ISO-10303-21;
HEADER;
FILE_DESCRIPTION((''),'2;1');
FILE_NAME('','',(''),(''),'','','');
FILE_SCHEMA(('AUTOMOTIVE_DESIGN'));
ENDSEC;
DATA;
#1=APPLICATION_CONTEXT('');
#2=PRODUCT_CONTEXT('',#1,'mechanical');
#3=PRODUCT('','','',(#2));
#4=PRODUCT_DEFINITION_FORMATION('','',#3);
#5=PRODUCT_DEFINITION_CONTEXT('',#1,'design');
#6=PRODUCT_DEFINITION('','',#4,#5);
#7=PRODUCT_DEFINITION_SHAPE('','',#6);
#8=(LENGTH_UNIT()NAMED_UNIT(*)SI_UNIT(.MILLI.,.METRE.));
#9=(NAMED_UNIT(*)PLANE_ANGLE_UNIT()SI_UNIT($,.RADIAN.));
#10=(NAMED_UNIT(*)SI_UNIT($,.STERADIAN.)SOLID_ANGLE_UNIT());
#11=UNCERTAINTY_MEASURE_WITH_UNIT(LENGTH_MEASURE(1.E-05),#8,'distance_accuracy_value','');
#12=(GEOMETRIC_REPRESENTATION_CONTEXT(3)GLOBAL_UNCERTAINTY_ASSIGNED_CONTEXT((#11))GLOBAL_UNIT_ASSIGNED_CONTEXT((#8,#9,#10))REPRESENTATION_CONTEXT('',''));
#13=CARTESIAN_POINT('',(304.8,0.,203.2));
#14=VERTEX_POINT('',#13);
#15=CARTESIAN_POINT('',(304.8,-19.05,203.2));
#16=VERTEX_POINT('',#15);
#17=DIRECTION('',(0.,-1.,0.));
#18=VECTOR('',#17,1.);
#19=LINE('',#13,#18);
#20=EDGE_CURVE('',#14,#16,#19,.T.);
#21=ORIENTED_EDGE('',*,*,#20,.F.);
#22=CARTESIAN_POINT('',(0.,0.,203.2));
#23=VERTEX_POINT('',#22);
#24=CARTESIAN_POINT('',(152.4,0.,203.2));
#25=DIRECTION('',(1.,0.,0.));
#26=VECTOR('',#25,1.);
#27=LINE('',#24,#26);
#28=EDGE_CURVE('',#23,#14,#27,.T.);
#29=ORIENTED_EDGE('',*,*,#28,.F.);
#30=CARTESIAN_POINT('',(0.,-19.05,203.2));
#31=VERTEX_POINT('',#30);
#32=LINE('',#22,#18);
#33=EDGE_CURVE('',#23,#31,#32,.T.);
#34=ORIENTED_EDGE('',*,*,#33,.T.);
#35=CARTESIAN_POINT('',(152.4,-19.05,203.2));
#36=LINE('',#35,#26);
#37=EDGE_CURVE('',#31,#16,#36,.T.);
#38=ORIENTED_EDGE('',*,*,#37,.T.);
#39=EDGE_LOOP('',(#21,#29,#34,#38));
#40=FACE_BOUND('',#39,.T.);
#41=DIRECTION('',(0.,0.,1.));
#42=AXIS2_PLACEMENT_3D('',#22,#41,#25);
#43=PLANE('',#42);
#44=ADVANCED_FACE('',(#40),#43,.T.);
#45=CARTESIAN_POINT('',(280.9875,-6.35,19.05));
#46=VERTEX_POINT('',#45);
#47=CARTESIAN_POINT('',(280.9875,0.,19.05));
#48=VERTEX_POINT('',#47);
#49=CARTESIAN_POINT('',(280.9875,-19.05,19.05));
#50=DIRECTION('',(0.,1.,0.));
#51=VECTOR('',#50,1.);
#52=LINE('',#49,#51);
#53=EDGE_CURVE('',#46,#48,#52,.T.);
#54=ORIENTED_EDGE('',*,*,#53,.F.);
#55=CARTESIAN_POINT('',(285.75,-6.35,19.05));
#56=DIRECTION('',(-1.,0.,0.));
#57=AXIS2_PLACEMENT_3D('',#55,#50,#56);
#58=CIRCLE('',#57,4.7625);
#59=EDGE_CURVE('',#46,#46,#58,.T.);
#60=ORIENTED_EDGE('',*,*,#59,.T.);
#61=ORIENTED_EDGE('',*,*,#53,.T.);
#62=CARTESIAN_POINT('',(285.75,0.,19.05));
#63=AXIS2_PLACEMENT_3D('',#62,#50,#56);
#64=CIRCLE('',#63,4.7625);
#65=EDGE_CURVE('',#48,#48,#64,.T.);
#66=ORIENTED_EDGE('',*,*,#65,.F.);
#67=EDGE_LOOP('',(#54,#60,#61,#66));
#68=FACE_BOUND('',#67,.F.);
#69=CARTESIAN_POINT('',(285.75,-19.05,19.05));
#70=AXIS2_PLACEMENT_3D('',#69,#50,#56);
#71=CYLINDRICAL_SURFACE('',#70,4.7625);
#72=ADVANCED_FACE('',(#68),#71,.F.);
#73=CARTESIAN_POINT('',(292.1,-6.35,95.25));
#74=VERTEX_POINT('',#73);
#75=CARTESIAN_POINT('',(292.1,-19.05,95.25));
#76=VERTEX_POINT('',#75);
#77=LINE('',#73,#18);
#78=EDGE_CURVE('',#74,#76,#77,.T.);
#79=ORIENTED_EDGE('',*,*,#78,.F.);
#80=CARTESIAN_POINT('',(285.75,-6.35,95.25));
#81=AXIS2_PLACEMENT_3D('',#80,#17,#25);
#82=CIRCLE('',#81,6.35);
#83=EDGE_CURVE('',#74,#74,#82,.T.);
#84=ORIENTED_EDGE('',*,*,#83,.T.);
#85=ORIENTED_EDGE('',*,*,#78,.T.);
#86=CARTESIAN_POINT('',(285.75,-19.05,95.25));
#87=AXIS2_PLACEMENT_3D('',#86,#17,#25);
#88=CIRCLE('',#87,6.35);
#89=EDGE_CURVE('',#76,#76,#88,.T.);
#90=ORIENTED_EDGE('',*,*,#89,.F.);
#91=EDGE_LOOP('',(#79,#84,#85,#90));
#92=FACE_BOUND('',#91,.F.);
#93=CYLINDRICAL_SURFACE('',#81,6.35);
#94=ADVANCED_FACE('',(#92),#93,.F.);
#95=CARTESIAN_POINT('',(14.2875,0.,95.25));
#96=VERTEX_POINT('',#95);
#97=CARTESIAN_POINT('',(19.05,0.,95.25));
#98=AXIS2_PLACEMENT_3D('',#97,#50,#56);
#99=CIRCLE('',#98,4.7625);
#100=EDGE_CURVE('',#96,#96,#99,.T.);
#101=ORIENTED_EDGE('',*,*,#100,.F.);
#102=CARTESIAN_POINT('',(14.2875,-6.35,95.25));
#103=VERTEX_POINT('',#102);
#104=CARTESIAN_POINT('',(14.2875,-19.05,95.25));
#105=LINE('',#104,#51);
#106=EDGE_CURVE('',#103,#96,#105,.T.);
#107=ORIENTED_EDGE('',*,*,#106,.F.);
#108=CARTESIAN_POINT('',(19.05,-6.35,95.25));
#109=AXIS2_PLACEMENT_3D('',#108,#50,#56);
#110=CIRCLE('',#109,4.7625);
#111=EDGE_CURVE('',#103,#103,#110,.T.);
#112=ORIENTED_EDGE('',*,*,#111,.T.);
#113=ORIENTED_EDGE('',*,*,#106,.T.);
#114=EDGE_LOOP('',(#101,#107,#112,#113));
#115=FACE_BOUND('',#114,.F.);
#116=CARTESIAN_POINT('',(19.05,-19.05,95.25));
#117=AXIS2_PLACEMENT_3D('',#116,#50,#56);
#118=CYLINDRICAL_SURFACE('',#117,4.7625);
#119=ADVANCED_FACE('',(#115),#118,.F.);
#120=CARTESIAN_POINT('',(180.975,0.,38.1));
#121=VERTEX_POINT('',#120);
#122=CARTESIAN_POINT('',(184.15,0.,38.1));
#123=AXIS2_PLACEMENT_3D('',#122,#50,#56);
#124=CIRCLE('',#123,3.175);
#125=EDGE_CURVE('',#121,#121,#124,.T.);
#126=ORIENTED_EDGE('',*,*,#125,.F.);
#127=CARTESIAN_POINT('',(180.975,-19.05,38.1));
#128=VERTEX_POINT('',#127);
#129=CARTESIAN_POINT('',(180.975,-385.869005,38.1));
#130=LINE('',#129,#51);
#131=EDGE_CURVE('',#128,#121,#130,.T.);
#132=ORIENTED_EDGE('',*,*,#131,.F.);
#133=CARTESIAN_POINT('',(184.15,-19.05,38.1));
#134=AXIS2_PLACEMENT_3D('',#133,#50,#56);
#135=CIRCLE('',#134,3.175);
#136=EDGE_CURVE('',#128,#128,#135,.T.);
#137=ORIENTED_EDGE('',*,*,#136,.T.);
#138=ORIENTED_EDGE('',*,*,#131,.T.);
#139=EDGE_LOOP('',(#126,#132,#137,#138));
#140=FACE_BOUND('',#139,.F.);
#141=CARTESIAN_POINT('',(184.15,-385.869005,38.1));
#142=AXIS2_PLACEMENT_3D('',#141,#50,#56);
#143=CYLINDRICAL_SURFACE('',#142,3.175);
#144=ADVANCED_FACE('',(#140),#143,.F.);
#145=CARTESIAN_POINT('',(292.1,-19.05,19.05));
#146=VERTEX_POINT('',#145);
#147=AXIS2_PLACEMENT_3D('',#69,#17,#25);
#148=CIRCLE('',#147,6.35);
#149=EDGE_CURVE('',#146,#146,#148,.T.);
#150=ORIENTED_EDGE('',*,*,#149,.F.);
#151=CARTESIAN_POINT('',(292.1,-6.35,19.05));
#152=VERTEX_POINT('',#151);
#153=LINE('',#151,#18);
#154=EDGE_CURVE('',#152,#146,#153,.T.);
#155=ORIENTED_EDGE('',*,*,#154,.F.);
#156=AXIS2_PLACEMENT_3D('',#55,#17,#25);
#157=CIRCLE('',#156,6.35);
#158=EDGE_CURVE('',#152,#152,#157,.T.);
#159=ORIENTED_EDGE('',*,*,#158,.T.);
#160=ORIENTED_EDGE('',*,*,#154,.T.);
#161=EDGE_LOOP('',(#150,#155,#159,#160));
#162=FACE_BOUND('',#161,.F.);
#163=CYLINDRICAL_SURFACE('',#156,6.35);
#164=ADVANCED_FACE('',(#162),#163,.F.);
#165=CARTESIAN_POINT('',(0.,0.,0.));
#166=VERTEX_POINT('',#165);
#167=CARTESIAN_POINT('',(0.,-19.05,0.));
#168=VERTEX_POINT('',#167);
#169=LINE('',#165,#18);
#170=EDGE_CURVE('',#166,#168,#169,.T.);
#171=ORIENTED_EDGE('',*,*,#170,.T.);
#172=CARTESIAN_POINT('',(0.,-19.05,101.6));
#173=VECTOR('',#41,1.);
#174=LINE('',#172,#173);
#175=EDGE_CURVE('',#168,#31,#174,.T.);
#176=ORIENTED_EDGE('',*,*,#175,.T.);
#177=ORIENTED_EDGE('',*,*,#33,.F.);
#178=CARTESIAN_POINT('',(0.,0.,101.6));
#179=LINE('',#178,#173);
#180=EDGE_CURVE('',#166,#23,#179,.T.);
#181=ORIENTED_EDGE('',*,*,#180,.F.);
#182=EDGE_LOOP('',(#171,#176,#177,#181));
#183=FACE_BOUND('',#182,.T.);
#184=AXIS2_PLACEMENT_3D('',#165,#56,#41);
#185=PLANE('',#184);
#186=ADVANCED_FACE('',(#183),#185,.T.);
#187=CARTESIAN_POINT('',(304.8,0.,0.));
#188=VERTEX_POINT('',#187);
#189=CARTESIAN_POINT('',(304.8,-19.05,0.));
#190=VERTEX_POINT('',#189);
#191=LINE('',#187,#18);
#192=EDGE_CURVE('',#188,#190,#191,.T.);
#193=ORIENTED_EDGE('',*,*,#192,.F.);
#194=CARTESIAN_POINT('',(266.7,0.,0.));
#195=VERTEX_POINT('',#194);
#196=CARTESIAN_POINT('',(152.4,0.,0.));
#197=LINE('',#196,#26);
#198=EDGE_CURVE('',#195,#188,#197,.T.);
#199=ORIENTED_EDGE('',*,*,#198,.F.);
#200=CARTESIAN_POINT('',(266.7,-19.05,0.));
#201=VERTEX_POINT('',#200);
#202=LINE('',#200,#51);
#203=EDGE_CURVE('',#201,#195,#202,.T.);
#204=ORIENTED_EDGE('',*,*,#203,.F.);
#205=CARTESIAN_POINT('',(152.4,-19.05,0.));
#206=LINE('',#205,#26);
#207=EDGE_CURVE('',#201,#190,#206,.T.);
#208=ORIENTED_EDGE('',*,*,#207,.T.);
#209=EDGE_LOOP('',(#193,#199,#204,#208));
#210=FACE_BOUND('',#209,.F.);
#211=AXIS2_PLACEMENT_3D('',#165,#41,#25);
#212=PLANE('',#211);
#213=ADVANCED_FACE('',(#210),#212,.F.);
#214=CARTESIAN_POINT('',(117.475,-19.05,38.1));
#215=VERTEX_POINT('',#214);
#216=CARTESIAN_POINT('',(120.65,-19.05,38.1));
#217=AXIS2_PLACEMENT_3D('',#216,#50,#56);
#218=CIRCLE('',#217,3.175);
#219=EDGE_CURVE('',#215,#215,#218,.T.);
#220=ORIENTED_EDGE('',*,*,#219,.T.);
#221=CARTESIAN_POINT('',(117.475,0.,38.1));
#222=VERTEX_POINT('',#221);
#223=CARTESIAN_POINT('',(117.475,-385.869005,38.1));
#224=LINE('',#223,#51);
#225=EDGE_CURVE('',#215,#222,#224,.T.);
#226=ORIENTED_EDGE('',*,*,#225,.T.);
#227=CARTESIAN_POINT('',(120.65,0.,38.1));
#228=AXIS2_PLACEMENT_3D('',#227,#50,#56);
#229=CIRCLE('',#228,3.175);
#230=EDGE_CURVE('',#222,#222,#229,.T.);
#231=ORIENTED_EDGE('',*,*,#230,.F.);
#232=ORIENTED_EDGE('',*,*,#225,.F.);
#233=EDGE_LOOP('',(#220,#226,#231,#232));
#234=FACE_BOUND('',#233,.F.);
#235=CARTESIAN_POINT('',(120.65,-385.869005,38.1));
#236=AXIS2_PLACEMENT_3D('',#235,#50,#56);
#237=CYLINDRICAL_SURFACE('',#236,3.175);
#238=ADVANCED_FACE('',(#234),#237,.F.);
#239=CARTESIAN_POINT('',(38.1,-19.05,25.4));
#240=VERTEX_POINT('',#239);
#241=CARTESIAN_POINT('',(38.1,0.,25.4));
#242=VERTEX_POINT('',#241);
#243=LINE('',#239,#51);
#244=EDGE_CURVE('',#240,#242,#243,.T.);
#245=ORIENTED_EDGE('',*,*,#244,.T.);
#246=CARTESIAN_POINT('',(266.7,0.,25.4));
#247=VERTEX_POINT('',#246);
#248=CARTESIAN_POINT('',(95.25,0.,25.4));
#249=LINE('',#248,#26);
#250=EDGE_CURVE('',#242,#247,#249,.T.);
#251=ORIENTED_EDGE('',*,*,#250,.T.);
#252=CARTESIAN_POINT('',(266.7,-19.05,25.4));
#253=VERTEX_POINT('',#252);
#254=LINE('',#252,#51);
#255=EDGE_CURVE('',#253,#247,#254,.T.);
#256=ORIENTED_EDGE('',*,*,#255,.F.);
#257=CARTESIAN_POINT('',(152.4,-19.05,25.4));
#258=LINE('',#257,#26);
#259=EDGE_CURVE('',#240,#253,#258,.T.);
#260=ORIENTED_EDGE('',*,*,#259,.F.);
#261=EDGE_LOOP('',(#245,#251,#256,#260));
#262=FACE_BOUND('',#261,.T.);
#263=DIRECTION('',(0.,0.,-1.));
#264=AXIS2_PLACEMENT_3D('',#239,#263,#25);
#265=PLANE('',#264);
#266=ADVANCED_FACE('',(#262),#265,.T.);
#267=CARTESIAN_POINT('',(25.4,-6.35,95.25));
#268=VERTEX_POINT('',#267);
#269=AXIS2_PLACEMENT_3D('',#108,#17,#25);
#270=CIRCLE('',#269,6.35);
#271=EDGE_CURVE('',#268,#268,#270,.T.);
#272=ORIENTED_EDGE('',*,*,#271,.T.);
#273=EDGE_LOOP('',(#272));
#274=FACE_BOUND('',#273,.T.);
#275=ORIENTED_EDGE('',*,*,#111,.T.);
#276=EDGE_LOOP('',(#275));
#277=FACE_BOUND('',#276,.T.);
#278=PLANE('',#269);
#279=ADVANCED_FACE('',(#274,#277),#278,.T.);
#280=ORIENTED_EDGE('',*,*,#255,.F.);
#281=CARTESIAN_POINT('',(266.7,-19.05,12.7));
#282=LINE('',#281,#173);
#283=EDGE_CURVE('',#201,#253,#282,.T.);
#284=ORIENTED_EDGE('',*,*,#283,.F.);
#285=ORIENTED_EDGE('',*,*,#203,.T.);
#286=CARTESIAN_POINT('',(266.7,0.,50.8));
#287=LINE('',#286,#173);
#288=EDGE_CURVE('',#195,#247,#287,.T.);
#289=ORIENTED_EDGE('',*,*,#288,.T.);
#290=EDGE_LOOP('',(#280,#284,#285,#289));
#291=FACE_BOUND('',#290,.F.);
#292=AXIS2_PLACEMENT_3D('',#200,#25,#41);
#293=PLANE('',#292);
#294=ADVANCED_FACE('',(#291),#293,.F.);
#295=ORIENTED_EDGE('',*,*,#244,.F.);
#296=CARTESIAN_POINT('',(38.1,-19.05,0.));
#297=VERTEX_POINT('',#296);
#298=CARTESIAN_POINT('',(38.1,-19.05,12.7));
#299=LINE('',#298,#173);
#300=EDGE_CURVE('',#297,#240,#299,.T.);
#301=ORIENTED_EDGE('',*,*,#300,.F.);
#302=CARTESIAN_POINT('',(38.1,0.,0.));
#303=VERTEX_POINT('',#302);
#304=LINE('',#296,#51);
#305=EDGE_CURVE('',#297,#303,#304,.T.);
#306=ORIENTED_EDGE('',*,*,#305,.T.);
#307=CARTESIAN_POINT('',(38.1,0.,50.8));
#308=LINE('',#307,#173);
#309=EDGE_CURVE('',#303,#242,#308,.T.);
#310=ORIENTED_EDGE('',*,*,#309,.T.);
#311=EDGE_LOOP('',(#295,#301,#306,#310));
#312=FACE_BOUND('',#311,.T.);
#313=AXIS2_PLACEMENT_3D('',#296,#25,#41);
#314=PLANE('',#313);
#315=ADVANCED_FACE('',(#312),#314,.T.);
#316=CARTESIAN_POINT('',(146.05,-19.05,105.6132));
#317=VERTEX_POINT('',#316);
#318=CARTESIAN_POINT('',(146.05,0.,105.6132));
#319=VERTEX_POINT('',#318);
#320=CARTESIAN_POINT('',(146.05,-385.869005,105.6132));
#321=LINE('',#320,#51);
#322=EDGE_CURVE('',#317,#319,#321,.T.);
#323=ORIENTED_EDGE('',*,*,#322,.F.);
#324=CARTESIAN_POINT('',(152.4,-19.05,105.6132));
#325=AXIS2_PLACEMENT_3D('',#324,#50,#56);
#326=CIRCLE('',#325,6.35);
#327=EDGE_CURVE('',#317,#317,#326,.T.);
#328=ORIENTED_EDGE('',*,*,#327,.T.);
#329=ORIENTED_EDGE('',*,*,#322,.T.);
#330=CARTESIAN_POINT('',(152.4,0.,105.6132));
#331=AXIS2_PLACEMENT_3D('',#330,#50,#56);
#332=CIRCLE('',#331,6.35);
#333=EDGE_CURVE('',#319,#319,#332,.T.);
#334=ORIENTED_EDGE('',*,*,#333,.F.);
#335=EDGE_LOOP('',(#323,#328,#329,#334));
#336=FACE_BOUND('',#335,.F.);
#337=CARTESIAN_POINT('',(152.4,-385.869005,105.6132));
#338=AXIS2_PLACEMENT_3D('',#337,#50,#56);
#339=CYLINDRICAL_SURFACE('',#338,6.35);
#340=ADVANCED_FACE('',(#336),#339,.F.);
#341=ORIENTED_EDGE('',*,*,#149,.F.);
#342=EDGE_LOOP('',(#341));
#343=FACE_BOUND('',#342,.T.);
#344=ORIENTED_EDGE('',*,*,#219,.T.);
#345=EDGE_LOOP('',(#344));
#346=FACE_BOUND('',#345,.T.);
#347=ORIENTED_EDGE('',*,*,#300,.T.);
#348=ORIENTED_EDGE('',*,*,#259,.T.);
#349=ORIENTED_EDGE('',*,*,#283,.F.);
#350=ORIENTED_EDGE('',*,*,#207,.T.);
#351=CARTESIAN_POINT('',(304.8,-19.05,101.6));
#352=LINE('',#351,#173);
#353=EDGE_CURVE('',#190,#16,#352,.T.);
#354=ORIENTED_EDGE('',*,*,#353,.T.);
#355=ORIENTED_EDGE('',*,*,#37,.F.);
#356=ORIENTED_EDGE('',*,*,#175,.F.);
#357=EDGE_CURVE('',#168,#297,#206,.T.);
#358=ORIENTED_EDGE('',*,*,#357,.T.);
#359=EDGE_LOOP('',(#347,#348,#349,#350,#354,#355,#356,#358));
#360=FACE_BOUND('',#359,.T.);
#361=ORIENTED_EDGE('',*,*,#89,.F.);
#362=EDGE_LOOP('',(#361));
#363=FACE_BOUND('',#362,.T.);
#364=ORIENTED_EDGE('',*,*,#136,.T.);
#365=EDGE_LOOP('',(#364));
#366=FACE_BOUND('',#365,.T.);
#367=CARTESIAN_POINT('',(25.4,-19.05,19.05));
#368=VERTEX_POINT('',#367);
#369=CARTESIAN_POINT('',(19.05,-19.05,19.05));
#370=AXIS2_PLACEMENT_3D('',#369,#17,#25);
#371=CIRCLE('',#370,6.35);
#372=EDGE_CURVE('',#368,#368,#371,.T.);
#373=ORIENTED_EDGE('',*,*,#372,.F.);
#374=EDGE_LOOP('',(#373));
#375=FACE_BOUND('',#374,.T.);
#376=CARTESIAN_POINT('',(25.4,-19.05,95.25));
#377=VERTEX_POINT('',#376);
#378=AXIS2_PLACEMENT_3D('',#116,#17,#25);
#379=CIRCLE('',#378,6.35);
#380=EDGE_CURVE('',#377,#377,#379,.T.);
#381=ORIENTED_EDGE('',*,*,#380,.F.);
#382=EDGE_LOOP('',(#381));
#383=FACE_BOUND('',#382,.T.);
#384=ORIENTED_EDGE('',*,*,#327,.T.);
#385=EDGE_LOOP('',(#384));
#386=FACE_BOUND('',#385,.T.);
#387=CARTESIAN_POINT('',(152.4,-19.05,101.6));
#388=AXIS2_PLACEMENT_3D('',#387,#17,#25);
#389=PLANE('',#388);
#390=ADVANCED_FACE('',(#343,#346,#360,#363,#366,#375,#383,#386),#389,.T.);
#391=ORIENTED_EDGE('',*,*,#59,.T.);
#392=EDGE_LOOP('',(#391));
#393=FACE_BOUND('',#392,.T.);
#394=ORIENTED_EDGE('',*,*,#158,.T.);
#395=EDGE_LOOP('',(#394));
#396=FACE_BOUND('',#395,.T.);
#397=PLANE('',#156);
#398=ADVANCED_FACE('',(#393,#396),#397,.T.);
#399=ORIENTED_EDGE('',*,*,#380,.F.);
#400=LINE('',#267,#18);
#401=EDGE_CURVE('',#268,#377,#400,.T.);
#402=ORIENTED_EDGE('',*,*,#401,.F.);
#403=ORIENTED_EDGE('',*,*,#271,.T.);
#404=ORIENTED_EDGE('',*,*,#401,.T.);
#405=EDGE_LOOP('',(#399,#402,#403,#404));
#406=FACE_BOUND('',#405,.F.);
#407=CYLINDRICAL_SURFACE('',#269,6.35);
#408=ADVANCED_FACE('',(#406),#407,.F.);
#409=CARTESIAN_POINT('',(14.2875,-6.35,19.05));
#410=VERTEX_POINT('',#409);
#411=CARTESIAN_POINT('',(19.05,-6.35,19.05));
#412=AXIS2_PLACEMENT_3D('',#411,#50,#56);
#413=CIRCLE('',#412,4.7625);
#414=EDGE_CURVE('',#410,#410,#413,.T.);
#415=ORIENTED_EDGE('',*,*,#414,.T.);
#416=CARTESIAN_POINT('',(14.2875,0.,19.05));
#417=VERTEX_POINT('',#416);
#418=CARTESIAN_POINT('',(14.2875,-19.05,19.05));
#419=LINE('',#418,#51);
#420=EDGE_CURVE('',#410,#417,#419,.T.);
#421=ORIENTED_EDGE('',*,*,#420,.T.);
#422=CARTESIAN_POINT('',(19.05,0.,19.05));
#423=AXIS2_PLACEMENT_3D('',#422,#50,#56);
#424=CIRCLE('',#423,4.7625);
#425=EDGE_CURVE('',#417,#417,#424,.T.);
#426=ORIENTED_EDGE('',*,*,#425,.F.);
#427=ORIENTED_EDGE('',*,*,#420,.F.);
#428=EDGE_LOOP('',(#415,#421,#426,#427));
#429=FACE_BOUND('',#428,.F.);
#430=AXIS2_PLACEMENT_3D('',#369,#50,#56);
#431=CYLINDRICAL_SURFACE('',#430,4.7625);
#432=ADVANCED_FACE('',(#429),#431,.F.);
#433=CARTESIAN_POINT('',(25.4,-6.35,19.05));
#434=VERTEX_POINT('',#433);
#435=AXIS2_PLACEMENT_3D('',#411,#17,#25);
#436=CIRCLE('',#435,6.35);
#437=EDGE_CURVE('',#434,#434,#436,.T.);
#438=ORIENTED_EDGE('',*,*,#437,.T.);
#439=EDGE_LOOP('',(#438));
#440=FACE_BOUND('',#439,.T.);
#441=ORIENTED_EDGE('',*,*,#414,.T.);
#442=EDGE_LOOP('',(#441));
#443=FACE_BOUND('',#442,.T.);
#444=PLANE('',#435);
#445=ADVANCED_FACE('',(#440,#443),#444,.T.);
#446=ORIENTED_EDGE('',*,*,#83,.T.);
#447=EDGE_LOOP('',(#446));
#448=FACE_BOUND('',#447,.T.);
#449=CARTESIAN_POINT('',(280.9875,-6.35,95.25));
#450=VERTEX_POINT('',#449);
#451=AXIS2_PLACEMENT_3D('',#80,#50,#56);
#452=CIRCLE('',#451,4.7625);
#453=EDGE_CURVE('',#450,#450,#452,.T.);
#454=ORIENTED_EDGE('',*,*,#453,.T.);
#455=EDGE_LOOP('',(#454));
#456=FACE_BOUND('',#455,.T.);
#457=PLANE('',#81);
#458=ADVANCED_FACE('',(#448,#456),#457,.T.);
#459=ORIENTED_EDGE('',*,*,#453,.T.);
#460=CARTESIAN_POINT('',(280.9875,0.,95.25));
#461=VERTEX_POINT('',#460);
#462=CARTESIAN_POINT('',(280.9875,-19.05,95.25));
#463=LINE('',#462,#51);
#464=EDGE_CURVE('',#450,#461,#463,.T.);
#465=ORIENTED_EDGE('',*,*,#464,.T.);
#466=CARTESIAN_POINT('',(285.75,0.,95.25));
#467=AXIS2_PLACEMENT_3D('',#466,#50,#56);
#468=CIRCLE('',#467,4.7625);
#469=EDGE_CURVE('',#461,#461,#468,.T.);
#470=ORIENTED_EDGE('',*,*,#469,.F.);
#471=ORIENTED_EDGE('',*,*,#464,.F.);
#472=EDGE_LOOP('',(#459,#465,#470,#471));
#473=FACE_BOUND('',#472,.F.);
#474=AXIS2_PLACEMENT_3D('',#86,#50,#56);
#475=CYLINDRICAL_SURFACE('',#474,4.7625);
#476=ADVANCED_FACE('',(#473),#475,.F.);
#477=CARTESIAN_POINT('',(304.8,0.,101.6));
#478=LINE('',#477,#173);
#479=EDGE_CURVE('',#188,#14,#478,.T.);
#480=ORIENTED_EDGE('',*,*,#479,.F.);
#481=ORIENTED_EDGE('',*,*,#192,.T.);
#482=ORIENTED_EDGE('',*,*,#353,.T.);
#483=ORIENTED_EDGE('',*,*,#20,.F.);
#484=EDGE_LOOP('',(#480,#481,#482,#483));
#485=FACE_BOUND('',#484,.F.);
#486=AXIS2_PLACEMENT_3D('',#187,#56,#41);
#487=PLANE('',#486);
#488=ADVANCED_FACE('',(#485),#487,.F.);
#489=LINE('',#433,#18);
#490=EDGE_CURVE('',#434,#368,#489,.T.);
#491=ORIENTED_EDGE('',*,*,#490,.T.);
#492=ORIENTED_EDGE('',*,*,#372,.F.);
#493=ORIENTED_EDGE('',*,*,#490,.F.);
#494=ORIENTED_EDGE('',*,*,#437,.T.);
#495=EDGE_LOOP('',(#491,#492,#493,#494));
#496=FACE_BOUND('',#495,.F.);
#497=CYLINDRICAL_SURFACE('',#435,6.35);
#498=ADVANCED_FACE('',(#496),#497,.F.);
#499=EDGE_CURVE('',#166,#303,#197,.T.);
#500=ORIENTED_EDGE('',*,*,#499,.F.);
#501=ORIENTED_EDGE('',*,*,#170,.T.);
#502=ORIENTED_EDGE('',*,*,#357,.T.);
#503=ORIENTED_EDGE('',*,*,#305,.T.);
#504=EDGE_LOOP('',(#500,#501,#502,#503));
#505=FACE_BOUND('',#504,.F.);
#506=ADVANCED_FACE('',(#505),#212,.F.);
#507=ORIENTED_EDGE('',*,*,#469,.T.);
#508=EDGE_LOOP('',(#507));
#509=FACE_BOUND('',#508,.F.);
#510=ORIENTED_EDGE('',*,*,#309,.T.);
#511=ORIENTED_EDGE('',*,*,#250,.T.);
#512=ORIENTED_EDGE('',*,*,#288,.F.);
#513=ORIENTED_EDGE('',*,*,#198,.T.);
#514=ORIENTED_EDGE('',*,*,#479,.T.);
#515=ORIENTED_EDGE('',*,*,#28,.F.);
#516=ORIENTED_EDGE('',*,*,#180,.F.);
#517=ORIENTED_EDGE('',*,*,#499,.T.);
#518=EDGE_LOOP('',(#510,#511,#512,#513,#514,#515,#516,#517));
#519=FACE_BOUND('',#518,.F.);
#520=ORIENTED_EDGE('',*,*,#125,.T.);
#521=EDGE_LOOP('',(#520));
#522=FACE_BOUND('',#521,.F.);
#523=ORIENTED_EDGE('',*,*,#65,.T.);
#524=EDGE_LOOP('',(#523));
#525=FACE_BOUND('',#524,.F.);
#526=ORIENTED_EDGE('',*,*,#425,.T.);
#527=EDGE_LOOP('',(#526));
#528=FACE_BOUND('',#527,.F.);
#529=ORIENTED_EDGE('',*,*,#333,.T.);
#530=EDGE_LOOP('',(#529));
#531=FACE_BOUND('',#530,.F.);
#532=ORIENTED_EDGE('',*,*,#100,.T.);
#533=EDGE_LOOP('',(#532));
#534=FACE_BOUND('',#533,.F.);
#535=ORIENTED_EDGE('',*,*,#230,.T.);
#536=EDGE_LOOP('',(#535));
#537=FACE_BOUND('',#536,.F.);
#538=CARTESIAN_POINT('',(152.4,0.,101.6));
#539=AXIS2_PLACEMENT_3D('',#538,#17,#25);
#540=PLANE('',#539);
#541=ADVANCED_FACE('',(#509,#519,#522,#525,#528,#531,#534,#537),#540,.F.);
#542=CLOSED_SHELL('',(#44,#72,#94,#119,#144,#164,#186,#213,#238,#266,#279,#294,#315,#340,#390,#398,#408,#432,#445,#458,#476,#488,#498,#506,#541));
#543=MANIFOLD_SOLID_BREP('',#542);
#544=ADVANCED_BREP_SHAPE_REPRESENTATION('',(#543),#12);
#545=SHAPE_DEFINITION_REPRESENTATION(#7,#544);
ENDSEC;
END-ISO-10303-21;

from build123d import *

# Parameters (mm, degrees)
F0_W           = 304.8
F0_H           = 203.2
F1_DEPTH       = 19.05
F2_W           = 228.6
F2_H           = 25.4
F3_DEPTH       = 19.051
F5_D           = 6.35
F7_D           = 12.7
F9_D           = 9.525
F9_CBORE_D     = 12.7
F9_CBORE_DEPTH = 12.7


with BuildPart() as f1:
    # F0 (on Front) → F1 (new body)
    with BuildSketch(Plane.XZ):
        with Locations((152.4, 101.6)):
            Rectangle(F0_W, F0_H)
    extrude(amount=F1_DEPTH)

    # F2 (on face) → F3 (cut, through all)
    with BuildSketch(Plane.XZ.offset(19.05)):
        with Locations((152.4, 12.7)):
            Rectangle(F2_W, F2_H)
    extrude(amount=-F3_DEPTH, mode=Mode.SUBTRACT)

    # F5 (through all)
    with Locations(Plane.XZ.offset(19.05)):
        with Locations((120.65, 38.1), (184.15, 38.1)):
            Hole(F5_D / 2)

    # F7 (through all)
    with Locations(Plane.XZ.offset(19.05)):
        with Locations((152.4, 105.6132)):
            Hole(F7_D / 2)

    # F9 (through all)
    with Locations(Plane.XZ.offset(19.05)):
        with Locations((19.05, 19.05), (19.05, 95.25), (285.75, 19.05), (285.75, 95.25)):
            CounterBoreHole(F9_D / 2, F9_CBORE_D / 2, F9_CBORE_DEPTH)


solid = f1.part
